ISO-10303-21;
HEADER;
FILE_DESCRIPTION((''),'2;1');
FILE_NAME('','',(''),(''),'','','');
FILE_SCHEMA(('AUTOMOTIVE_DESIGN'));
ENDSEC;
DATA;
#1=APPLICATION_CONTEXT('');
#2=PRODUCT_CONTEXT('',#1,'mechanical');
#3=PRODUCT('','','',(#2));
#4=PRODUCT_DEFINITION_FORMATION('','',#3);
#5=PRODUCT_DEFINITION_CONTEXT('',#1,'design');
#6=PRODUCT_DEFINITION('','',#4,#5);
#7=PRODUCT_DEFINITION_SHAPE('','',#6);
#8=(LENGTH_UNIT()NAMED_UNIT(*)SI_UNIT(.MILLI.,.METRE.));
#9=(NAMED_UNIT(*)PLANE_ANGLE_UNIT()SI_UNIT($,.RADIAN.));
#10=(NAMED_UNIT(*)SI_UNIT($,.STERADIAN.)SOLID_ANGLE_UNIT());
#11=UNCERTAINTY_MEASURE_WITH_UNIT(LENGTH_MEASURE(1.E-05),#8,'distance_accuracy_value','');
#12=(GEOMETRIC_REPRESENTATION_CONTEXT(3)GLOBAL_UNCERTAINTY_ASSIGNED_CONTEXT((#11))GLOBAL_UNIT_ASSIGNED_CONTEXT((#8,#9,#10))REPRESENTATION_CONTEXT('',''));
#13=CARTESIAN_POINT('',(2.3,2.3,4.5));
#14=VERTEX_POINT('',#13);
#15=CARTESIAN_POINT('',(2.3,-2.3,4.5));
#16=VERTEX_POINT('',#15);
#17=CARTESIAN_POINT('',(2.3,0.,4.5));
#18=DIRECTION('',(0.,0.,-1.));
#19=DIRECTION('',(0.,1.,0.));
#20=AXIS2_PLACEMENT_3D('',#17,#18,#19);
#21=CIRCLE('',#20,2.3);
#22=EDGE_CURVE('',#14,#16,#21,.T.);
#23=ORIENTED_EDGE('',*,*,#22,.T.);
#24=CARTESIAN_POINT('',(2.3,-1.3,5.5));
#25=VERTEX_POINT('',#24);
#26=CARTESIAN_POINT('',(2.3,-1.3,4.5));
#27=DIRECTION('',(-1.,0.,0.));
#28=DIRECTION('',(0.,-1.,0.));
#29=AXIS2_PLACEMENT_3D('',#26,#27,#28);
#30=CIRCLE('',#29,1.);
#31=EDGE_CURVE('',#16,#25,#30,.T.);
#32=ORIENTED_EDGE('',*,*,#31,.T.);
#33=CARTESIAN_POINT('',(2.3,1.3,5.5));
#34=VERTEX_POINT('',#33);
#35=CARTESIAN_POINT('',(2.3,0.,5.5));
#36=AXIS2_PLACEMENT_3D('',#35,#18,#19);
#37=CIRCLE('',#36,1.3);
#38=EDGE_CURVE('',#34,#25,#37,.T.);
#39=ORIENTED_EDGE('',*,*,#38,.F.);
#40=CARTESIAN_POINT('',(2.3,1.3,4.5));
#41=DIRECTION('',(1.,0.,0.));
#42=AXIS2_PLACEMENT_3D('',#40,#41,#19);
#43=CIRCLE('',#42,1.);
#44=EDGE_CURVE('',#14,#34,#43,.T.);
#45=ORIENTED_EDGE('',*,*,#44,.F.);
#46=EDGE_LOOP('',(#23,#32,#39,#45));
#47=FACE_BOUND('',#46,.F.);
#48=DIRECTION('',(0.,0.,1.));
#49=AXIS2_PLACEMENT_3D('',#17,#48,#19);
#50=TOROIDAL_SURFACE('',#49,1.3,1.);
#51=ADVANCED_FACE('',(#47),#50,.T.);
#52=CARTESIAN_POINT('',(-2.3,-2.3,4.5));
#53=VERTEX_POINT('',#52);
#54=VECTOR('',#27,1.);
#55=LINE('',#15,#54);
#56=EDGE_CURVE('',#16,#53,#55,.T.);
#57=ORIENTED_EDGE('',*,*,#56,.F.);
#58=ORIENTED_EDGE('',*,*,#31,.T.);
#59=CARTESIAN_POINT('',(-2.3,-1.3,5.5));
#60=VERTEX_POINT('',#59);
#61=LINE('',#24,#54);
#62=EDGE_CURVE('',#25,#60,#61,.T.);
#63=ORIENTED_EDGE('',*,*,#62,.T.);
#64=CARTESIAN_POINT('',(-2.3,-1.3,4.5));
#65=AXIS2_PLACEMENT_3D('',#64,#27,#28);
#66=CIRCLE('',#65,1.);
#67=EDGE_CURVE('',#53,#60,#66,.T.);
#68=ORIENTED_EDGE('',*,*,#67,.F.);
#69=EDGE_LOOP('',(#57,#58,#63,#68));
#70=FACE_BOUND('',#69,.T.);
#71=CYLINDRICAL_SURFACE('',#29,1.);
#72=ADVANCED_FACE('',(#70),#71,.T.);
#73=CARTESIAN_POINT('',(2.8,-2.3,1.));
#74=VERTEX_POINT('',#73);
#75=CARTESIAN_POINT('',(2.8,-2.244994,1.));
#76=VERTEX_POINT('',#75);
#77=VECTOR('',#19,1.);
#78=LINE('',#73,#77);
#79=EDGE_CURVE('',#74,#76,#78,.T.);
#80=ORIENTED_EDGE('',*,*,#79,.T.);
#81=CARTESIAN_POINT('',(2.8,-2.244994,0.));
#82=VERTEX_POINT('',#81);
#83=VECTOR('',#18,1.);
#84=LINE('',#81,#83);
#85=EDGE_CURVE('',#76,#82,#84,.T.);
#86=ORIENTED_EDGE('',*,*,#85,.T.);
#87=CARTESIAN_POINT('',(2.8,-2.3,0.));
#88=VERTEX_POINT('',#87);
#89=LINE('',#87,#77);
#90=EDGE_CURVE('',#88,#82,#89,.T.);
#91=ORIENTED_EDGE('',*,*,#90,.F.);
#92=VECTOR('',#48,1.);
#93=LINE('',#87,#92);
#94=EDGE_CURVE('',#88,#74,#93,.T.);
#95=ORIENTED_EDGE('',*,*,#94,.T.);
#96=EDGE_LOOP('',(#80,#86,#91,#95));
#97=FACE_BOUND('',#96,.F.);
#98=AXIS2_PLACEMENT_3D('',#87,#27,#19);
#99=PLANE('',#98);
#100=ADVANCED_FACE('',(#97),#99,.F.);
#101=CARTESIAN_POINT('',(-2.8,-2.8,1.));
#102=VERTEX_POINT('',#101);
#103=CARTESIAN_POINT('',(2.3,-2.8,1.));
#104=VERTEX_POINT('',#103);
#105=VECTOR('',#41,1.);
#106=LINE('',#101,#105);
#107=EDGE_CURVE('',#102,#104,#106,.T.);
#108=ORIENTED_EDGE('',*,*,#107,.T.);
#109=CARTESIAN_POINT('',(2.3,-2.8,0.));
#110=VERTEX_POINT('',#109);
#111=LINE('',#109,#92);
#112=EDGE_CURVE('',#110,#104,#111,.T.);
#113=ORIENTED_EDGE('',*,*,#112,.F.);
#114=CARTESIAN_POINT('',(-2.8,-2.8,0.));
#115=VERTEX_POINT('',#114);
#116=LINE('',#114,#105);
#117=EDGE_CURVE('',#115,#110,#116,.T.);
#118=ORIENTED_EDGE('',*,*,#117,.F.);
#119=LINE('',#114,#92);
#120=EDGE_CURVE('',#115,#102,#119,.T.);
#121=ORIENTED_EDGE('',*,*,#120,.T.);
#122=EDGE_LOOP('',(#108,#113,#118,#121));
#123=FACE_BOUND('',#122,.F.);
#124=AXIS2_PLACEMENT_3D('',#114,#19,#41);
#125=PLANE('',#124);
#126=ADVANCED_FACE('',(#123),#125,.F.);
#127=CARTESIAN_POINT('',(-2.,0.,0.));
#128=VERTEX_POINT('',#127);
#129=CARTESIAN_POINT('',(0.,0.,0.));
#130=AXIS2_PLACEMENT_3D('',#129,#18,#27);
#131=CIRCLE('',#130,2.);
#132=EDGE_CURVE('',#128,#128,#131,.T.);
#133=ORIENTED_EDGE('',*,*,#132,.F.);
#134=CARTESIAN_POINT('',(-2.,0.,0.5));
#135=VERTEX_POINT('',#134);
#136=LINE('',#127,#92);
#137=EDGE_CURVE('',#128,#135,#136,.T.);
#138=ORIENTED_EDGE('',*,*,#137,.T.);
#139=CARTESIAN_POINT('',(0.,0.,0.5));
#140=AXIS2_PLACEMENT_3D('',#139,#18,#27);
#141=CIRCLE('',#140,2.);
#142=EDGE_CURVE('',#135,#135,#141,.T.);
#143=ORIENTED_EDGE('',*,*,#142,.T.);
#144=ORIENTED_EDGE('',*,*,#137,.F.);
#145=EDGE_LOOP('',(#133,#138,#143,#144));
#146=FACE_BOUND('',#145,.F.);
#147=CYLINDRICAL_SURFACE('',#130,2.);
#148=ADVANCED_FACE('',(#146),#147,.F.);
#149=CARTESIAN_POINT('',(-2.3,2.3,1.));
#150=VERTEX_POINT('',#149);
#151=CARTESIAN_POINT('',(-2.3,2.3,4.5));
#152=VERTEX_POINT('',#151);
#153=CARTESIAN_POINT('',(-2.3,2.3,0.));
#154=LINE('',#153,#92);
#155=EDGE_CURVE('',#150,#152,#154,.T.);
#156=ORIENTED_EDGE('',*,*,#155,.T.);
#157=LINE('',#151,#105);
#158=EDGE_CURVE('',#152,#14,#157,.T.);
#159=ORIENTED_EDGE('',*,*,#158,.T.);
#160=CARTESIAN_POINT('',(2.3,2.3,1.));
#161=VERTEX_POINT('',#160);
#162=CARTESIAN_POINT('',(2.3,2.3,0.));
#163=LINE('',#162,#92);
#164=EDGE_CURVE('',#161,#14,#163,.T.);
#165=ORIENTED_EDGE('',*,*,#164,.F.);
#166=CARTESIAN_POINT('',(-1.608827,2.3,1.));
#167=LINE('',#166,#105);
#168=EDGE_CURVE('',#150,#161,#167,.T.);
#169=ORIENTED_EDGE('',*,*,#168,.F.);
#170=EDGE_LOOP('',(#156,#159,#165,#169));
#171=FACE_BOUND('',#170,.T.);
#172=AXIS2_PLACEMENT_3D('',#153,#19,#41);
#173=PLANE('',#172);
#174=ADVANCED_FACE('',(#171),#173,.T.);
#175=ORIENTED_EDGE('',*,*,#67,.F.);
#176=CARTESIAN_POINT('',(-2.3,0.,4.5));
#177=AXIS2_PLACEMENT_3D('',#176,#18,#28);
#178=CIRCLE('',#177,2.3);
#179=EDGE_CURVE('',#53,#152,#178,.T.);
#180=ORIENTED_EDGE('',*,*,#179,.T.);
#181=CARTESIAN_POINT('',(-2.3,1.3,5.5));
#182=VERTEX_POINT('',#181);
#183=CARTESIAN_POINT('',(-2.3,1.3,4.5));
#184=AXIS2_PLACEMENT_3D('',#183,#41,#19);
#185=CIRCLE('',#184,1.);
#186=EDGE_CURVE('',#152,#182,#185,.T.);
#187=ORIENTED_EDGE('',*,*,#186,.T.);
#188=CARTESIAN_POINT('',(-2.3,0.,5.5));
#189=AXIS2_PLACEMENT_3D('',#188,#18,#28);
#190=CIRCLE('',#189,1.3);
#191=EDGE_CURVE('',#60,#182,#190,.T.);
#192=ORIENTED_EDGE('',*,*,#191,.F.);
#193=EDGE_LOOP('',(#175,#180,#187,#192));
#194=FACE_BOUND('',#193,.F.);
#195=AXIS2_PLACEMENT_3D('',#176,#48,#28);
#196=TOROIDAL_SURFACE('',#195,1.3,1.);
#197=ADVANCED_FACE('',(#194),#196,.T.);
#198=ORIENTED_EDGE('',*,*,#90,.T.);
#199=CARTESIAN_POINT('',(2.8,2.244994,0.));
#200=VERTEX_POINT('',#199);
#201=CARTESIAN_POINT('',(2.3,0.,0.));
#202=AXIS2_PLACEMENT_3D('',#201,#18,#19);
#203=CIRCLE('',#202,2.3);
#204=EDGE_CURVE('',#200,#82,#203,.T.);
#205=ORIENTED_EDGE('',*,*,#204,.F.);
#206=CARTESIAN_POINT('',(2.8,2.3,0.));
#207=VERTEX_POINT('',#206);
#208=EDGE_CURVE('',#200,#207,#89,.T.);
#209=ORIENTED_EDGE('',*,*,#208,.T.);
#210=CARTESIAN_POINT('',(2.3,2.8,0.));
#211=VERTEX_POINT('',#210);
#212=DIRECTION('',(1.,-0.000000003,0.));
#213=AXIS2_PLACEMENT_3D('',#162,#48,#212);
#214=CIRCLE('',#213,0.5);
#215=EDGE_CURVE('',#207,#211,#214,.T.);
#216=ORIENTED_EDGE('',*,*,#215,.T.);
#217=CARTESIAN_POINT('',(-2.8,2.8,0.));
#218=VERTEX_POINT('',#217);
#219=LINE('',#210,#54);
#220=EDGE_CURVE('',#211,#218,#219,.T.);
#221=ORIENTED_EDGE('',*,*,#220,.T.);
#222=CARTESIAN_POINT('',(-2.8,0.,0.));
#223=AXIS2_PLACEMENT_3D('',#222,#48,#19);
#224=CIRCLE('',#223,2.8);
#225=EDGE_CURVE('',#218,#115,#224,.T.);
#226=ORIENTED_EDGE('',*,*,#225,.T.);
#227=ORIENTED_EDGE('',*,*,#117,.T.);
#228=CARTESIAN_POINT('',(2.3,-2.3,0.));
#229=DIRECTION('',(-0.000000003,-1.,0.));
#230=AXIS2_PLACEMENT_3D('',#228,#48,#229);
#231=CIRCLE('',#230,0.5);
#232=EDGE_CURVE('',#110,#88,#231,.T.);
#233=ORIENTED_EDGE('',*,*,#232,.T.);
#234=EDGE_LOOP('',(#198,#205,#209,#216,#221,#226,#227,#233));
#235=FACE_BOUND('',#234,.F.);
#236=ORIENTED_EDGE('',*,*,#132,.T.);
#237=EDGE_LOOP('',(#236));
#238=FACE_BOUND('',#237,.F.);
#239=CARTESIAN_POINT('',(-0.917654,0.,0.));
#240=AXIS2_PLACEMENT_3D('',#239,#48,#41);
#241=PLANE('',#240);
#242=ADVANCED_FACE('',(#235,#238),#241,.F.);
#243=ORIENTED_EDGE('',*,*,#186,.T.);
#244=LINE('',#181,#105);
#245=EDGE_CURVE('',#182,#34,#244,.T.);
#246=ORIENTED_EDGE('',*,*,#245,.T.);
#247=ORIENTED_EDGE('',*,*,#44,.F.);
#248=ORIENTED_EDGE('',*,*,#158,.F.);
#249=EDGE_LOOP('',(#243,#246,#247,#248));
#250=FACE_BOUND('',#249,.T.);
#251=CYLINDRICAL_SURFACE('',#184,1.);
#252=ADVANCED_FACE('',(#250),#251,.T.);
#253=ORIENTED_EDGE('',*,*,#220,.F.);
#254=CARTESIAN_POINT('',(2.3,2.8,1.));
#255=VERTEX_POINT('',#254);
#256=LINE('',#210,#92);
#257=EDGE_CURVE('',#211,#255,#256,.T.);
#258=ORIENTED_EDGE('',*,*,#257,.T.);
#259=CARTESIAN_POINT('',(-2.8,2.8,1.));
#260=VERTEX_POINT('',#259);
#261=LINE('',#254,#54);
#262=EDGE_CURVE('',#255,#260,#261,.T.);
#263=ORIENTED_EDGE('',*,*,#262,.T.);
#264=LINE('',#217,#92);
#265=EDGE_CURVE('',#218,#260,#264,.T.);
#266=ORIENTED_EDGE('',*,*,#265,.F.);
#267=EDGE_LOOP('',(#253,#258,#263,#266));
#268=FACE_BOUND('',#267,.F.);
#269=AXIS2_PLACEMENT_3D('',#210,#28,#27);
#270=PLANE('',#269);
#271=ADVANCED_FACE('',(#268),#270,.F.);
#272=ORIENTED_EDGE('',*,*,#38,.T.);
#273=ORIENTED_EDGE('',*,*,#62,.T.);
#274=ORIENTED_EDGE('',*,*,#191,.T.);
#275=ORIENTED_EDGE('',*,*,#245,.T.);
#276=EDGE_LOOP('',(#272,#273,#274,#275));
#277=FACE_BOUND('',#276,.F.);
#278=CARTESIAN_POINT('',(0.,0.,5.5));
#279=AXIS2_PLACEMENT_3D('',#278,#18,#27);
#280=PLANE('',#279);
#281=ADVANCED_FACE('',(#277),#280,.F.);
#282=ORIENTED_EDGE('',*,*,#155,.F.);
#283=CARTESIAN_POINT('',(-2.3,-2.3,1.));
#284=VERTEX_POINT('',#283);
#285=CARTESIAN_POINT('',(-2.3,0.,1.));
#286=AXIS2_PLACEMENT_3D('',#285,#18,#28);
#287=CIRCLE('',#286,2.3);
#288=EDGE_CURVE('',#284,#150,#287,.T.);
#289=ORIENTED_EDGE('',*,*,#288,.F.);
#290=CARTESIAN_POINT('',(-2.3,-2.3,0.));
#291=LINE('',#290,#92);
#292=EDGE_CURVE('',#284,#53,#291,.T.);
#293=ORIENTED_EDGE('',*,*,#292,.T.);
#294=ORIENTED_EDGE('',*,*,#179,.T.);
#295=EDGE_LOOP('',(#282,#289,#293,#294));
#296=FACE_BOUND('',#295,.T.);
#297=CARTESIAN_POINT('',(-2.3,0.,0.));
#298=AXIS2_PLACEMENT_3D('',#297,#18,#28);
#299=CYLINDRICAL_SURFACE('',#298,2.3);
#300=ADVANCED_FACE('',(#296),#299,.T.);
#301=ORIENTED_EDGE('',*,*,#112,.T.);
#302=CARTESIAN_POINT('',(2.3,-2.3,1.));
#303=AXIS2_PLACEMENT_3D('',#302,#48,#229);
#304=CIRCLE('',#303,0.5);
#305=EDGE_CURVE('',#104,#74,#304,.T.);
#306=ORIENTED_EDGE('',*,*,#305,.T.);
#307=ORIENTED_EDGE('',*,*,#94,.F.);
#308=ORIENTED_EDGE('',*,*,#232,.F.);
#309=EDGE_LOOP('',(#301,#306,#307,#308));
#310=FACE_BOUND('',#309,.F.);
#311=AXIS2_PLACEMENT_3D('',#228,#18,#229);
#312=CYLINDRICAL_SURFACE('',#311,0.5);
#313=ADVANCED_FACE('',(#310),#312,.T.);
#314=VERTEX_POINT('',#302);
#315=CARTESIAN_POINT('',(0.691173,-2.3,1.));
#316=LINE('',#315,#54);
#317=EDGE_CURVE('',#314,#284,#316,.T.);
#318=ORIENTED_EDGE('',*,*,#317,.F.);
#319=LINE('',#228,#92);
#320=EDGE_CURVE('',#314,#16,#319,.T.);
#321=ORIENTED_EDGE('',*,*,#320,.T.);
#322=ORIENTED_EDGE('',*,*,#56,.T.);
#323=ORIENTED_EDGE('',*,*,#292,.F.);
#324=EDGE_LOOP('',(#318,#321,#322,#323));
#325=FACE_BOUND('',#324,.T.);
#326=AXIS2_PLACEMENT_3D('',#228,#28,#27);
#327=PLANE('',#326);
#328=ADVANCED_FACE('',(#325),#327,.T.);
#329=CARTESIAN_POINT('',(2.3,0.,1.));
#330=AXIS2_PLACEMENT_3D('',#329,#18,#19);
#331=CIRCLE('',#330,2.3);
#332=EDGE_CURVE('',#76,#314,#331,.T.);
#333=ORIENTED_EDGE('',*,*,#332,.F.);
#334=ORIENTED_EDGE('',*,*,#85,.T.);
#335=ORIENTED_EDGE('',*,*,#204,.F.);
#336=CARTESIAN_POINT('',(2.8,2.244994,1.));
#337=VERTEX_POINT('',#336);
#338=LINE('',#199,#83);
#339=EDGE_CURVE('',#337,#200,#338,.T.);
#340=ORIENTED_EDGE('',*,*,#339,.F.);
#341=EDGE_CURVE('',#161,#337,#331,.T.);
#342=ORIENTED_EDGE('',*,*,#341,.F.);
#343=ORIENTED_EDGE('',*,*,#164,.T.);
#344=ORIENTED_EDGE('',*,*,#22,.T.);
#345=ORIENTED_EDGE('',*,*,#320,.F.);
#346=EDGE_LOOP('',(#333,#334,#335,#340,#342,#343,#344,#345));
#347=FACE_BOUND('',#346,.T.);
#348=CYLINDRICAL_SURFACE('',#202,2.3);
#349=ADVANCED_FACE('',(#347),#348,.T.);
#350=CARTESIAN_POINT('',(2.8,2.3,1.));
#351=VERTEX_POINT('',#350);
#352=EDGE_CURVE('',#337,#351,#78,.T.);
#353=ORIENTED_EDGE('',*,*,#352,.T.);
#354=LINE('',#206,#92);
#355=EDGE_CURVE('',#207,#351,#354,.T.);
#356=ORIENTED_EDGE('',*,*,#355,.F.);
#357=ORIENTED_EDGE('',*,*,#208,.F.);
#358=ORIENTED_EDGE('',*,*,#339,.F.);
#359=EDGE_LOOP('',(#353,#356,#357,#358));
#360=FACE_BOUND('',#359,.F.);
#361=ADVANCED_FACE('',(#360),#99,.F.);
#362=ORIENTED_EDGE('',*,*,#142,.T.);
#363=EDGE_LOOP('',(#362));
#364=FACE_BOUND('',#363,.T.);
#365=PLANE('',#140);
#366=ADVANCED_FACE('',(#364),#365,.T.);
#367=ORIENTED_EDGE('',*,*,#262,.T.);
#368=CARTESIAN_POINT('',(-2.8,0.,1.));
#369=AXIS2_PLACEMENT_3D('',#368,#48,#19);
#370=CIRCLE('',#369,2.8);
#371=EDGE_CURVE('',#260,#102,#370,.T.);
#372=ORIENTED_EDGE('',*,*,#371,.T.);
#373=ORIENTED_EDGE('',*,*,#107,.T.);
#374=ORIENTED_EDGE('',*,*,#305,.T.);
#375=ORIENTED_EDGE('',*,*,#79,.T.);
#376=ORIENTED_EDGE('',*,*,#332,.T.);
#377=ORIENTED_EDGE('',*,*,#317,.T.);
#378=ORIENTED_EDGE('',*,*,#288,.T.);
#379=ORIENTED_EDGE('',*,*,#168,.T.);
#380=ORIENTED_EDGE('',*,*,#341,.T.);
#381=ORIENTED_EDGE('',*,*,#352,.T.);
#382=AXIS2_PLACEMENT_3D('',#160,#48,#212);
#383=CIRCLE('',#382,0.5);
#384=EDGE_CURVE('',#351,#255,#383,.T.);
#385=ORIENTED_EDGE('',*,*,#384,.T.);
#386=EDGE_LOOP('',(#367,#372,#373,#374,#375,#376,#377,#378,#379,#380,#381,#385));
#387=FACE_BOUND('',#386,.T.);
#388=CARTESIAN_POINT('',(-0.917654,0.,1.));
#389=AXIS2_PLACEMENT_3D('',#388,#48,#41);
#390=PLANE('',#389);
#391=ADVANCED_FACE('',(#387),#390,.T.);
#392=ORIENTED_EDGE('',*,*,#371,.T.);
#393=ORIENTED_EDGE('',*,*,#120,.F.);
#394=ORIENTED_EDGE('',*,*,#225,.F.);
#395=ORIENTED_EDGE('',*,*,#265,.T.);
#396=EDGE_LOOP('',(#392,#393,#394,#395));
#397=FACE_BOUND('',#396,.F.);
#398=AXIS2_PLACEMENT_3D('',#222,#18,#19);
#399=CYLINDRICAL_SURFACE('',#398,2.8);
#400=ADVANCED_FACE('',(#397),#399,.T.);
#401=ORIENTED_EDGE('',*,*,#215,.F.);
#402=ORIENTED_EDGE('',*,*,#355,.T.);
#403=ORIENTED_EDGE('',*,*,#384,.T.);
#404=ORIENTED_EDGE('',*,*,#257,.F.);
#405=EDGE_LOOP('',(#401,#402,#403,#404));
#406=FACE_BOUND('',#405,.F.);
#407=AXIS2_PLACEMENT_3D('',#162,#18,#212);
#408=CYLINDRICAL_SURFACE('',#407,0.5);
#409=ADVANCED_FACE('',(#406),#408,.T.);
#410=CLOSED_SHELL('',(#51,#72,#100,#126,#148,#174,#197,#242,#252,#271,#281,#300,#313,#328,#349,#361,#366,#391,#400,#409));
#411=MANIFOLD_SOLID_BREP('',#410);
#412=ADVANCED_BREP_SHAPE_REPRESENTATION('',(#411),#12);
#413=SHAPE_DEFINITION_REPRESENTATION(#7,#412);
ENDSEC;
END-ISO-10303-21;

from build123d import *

# Parameters (mm, degrees)
EXTRUDE_1_DEPTH     = 5.5
EXTRUDE_2_DEPTH     = 1
SKETCH_3_R          = 2
CUT_EXTRUDE_1_DEPTH = 0.5
FILLET_1_R          = 1


with BuildPart() as part:
    # 草图1 → 凸台-拉伸1 (new body)
    with BuildSketch(Plane.XY):
        with BuildLine():
            Line((2.3, -2.3), (-2.3, -2.3))
            ThreePointArc((-2.3, -2.3), (-4.6, 0), (-2.3, 2.3))
            Line((-2.3, 2.3), (2.3, 2.3))
            ThreePointArc((2.3, 2.3), (4.6, 0), (2.3, -2.3))
        make_face()
    extrude(amount=EXTRUDE_1_DEPTH)

    # 草图2 → 凸台-拉伸2 (add)
    with BuildSketch(Plane(origin=(0, 0, 0), x_dir=(-1, 0, 0), z_dir=(0, 0, -1))):
        with BuildLine():
            Line((2.8, -2.8), (-2.3, -2.8))
            ThreePointArc((-2.3, -2.8), (-2.653553391, -2.653553391), (-2.8, -2.3))
            Line((-2.8, -2.3), (-2.8, 2.3))
            ThreePointArc((-2.8, 2.3), (-2.653553391, 2.653553391), (-2.3, 2.8))
            Line((-2.3, 2.8), (2.8, 2.8))
            ThreePointArc((2.8, 2.8), (5.6, 0), (2.8, -2.8))
        make_face()
    extrude(amount=-EXTRUDE_2_DEPTH)

    # 草图3 → 切除-拉伸1 (cut)
    with BuildSketch(Plane(origin=(0, 0, 0), x_dir=(-1, 0, 0), z_dir=(0, 0, -1))):
        Circle(SKETCH_3_R)
    extrude(amount=-CUT_EXTRUDE_1_DEPTH, mode=Mode.SUBTRACT)

    # 圆角1
    fillet_1_edges = [part.edges().sort_by_distance(p)[0] for p in [
        (-4.6, 0, 5.5),
        (0, -2.3, 5.5),
        (4.6, 0, 5.5),
        (0, 2.3, 5.5),
    ]]
    fillet(fillet_1_edges, radius=FILLET_1_R)


solid = part.part
